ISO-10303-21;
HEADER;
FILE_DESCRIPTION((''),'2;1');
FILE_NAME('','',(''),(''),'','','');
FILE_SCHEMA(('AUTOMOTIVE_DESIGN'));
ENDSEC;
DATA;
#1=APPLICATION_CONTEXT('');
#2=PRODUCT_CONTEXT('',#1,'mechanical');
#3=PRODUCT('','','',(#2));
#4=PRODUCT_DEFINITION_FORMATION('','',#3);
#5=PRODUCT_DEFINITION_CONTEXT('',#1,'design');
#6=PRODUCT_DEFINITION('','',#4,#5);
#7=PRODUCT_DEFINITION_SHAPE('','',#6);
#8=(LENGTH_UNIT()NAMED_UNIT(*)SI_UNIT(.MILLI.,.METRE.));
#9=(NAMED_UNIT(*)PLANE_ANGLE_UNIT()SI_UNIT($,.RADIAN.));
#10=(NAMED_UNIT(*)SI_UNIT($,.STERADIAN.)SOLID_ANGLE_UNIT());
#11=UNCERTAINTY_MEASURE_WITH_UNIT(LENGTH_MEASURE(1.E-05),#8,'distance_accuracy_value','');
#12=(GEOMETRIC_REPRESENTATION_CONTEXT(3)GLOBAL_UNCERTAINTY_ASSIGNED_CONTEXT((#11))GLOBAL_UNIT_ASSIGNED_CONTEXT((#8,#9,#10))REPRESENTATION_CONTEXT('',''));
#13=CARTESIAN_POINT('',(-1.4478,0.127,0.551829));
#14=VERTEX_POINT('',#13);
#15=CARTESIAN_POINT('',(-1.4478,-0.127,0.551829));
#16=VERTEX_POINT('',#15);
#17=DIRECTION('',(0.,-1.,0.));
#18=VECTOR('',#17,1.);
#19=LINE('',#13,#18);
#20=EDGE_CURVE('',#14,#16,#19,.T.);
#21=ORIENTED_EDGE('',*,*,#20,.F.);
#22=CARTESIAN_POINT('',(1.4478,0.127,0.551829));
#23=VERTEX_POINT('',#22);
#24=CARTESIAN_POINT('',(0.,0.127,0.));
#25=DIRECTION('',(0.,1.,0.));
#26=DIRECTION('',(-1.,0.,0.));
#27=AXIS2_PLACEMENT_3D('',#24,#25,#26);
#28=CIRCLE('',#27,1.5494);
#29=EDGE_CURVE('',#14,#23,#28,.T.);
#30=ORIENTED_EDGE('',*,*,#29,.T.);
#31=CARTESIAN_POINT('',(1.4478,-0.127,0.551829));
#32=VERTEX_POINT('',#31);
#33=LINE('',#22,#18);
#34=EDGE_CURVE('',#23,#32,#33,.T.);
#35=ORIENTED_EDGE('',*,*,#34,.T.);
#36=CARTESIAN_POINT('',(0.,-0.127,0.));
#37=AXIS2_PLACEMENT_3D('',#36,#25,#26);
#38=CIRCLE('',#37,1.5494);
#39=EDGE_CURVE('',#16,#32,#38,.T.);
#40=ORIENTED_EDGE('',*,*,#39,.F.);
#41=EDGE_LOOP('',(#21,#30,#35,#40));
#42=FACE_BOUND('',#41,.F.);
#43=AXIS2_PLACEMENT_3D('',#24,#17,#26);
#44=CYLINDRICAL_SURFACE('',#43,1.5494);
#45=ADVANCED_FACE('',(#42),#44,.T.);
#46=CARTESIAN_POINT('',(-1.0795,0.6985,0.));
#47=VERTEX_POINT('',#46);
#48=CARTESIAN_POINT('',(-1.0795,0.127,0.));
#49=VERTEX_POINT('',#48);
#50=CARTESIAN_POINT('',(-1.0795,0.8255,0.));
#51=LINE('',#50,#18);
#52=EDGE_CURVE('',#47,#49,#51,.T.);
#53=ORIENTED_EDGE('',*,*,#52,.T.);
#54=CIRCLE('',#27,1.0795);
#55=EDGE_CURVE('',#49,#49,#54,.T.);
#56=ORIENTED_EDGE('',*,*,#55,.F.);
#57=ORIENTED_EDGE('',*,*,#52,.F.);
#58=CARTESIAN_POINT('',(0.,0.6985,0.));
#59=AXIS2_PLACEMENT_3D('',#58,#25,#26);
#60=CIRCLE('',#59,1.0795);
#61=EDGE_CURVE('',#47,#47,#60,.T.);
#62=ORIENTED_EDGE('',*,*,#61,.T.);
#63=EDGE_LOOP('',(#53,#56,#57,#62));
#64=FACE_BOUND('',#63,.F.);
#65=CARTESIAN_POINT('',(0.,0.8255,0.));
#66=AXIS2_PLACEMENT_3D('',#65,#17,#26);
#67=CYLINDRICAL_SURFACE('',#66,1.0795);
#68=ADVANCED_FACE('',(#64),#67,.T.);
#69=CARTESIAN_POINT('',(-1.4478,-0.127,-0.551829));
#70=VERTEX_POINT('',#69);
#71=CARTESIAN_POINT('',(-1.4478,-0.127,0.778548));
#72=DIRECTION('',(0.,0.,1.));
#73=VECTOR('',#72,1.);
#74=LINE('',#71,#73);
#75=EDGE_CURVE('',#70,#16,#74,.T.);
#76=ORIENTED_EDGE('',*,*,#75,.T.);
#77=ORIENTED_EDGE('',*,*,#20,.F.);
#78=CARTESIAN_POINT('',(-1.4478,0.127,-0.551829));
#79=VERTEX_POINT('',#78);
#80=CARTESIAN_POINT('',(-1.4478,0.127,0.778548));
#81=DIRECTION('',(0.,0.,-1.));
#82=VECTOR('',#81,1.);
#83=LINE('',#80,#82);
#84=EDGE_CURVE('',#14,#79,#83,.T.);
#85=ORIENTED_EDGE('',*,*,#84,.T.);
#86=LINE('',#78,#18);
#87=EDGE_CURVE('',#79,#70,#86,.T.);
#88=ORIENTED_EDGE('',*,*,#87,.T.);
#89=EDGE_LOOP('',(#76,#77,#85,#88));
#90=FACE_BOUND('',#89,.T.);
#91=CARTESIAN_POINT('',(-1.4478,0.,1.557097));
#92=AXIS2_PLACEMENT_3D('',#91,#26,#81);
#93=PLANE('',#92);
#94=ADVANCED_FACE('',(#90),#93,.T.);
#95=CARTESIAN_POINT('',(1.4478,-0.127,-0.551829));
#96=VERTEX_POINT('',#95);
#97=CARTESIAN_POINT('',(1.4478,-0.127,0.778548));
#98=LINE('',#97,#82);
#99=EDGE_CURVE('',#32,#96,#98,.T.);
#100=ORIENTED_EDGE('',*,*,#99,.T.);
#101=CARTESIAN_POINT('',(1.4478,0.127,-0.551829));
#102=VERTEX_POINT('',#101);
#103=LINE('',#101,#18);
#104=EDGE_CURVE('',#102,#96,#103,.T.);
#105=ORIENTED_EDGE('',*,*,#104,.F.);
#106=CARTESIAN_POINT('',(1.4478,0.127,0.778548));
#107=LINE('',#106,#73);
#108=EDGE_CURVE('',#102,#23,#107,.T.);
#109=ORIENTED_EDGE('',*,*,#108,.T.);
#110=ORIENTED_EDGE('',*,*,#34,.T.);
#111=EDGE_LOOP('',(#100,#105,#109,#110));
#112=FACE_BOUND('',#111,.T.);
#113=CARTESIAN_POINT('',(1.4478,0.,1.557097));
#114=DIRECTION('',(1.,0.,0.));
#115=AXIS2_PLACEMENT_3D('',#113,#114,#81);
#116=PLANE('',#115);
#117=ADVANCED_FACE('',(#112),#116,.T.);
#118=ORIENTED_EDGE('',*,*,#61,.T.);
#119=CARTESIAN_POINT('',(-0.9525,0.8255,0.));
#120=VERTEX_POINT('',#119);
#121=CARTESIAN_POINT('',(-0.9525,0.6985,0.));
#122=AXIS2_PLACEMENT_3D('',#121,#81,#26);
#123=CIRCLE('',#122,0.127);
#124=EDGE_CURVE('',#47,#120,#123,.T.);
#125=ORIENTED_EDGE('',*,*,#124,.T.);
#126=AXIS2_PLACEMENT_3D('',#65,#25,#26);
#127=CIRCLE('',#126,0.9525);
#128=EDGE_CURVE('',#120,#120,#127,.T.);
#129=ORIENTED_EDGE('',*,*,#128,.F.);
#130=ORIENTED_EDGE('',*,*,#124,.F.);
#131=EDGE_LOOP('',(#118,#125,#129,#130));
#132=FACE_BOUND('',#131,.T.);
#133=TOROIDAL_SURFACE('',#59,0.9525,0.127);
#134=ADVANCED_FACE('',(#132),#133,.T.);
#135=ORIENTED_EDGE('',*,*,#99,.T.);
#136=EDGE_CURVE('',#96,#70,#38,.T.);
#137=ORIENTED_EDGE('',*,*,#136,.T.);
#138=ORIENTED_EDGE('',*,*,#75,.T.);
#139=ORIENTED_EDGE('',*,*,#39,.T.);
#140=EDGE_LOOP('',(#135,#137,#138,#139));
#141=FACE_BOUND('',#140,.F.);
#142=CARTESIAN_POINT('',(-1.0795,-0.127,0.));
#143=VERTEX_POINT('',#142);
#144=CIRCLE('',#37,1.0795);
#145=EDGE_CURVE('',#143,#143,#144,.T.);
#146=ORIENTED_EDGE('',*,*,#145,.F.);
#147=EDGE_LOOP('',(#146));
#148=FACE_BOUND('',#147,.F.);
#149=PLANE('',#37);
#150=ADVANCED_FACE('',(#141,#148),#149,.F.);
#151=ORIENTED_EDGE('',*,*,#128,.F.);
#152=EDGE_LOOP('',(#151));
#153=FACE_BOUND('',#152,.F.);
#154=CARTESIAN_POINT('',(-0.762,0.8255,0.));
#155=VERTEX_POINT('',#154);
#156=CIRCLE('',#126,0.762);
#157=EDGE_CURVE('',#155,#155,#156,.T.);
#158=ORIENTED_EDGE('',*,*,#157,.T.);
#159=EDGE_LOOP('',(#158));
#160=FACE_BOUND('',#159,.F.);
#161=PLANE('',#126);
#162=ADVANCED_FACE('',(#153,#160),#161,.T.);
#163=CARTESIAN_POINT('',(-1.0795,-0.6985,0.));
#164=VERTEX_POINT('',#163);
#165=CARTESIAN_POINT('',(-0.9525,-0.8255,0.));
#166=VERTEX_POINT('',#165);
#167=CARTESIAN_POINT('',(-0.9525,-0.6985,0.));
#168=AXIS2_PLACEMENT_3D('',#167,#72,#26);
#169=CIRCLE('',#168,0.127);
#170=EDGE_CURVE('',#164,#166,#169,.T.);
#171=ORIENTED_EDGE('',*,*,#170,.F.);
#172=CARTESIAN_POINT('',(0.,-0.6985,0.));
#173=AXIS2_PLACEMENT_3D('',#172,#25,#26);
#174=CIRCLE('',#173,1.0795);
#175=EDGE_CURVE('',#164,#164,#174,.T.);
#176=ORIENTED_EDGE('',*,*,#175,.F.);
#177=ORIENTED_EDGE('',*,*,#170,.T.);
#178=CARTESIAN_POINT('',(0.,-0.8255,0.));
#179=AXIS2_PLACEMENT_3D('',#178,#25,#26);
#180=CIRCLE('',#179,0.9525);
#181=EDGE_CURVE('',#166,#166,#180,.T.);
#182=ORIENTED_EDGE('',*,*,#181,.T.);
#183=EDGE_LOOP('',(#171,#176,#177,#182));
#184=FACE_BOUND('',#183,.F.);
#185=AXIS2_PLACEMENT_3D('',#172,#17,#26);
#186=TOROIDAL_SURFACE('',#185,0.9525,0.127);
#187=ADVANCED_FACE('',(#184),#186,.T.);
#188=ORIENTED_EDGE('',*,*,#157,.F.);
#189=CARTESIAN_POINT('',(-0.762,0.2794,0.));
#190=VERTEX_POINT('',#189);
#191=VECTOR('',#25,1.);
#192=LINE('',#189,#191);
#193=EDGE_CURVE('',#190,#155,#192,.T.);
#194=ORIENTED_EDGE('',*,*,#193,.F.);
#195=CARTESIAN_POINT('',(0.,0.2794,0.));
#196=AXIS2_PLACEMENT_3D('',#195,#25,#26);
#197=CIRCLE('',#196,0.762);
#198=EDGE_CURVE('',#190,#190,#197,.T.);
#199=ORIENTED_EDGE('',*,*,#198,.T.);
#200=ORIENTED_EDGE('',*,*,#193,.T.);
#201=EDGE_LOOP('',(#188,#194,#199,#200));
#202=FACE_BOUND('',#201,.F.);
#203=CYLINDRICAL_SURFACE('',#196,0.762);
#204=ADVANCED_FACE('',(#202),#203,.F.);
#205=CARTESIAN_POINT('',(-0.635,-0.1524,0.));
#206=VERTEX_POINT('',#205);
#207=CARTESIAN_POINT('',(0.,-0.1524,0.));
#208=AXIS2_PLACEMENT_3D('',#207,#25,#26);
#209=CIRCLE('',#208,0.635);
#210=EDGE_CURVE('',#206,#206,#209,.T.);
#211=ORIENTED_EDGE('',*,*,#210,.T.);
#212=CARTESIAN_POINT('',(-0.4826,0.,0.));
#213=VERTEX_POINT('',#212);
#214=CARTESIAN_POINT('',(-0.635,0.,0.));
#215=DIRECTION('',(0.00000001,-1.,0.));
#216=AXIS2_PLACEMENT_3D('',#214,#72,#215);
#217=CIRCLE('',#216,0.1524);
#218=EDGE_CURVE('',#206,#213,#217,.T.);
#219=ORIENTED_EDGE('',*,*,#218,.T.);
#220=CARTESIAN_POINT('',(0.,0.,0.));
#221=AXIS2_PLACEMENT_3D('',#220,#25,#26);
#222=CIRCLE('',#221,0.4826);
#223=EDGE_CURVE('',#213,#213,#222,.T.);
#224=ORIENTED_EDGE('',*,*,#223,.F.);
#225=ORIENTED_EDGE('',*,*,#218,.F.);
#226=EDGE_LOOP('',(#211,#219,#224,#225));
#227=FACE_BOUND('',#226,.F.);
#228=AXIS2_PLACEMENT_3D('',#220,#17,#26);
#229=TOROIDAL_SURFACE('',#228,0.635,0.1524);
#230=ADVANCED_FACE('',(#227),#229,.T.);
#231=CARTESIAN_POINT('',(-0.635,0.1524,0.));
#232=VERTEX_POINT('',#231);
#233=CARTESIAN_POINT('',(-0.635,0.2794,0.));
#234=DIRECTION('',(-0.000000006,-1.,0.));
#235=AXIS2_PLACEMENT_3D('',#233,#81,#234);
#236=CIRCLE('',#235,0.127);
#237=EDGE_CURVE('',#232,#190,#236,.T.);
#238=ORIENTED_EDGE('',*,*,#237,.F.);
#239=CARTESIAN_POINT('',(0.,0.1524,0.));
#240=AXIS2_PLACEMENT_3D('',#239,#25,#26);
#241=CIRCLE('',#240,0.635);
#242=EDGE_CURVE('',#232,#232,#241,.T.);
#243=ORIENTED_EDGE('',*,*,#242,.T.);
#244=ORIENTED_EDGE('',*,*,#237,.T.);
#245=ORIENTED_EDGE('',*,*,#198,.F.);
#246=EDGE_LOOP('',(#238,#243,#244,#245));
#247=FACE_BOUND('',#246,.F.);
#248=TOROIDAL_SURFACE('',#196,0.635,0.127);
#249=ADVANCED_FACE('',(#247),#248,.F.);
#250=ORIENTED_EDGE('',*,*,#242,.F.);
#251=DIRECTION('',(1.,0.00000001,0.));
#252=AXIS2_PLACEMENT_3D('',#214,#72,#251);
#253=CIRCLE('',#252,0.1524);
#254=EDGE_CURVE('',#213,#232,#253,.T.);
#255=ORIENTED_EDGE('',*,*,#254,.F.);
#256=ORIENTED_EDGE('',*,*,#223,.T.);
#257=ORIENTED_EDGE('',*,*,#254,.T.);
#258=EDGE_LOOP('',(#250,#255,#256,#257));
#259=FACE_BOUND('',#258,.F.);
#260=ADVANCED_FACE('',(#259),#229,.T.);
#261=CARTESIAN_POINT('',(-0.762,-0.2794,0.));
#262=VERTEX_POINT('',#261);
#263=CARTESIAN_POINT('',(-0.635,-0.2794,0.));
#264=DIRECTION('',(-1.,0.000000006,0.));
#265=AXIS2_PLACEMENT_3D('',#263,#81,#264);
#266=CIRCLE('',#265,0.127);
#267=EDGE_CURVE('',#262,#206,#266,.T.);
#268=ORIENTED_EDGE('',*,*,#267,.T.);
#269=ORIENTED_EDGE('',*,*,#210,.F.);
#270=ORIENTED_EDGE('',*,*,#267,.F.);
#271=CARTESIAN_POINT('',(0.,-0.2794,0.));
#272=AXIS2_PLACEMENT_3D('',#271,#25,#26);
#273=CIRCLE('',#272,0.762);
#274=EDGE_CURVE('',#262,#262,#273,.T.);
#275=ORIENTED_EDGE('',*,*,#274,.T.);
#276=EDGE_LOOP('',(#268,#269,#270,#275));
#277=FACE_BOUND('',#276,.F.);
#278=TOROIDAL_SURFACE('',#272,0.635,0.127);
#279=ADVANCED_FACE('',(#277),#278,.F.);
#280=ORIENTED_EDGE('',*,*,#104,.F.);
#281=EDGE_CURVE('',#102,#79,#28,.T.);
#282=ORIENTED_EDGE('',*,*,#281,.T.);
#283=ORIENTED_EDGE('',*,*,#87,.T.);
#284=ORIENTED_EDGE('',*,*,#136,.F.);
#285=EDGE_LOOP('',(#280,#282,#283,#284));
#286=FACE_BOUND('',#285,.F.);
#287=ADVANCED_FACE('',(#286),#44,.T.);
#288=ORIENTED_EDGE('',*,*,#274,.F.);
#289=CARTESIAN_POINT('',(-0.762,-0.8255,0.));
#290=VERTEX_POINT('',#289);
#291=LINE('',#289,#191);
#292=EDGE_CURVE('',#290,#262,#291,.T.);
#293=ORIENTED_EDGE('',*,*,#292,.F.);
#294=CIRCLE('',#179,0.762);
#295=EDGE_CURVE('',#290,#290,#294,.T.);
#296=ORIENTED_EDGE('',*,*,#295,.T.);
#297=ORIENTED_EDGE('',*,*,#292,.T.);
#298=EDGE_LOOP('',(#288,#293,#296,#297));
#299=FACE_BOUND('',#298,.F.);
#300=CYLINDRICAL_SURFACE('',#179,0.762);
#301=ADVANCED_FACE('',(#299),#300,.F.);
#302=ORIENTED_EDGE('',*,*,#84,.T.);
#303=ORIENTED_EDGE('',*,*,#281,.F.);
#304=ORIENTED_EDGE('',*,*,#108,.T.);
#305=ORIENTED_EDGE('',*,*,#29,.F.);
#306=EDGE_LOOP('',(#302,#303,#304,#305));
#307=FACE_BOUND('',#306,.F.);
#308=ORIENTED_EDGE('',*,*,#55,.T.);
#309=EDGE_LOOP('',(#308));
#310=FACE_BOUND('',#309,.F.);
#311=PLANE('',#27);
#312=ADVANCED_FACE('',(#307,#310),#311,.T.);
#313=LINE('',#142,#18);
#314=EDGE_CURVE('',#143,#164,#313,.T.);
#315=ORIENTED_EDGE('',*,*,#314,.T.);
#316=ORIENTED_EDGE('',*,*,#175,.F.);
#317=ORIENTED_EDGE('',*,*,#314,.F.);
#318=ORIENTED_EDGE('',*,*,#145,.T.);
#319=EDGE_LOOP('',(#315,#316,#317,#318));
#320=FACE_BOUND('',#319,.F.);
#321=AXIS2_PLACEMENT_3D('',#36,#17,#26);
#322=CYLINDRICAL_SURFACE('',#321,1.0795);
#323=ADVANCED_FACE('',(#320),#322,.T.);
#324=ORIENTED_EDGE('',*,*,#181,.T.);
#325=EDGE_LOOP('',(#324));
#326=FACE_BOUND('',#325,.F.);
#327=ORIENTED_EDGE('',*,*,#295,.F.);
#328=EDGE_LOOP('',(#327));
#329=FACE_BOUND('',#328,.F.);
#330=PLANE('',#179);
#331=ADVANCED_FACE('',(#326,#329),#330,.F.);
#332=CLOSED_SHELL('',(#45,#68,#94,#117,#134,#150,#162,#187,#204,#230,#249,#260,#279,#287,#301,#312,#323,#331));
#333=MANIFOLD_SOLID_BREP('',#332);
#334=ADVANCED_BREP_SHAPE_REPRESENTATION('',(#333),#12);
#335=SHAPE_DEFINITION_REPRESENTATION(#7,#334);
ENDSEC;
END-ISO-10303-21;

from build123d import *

# Parameters (mm, degrees)
FILLET1_R          = 0.127
SKETCH2_W          = 1.656655401
SKETCH2_H          = 3.010652604
CUT_EXTRUDE1_DEPTH = 1.27


with BuildPart() as part:
    # Sketch1 → Revolve1 (revolve)
    with BuildSketch(Plane.XY):
        with BuildLine():
            Line((-1.0795, 0.8255), (-1.0795, 0.127))
            Line((-1.0795, 0.127), (-1.5494, 0.127))
            Line((-1.5494, 0.127), (-1.5494, -0.127))
            Line((-1.5494, -0.127), (-1.0795, -0.127))
            Line((-1.0795, -0.127), (-1.0795, -0.8255))
            Line((-1.0795, -0.8255), (-0.762, -0.8255))
            Line((-0.762, -0.8255), (-0.762, -0.2794))
            ThreePointArc((-0.762, -0.2794), (-0.724802561, -0.189597439), (-0.635, -0.1524))
            ThreePointArc((-0.635, -0.1524), (-0.527236927, -0.107763073), (-0.4826, 0))
            ThreePointArc((-0.4826, 0), (-0.527236927, 0.107763073), (-0.635, 0.1524))
            ThreePointArc((-0.635, 0.1524), (-0.724802561, 0.189597439), (-0.762, 0.2794))
            Line((-0.762, 0.2794), (-0.762, 0.8255))
            Line((-0.762, 0.8255), (-1.0795, 0.8255))
        make_face()
    revolve(axis=Axis((0, 0, 0), (0, 1, 0)))

    # Fillet1
    fillet1_edges = [part.edges().sort_by_distance(p)[0] for p in [
        (1.0795, -0.8255, 0),
        (1.0795, 0.8255, 0),
    ]]
    fillet(fillet1_edges, radius=FILLET1_R)

    # Sketch2 → Cut-Extrude1 (cut, symmetric)
    with BuildSketch(Plane(origin=(0, 0, 0), x_dir=(1, 0, 0), z_dir=(0, 1, 0))):
        with Locations((-2.276127701, -0.051770481)):
            Rectangle(SKETCH2_W, SKETCH2_H)
        with Locations((2.276127701, -0.051770481)):
            Rectangle(SKETCH2_W, SKETCH2_H)
    extrude(amount=CUT_EXTRUDE1_DEPTH, both=True, mode=Mode.SUBTRACT)


solid = part.part
